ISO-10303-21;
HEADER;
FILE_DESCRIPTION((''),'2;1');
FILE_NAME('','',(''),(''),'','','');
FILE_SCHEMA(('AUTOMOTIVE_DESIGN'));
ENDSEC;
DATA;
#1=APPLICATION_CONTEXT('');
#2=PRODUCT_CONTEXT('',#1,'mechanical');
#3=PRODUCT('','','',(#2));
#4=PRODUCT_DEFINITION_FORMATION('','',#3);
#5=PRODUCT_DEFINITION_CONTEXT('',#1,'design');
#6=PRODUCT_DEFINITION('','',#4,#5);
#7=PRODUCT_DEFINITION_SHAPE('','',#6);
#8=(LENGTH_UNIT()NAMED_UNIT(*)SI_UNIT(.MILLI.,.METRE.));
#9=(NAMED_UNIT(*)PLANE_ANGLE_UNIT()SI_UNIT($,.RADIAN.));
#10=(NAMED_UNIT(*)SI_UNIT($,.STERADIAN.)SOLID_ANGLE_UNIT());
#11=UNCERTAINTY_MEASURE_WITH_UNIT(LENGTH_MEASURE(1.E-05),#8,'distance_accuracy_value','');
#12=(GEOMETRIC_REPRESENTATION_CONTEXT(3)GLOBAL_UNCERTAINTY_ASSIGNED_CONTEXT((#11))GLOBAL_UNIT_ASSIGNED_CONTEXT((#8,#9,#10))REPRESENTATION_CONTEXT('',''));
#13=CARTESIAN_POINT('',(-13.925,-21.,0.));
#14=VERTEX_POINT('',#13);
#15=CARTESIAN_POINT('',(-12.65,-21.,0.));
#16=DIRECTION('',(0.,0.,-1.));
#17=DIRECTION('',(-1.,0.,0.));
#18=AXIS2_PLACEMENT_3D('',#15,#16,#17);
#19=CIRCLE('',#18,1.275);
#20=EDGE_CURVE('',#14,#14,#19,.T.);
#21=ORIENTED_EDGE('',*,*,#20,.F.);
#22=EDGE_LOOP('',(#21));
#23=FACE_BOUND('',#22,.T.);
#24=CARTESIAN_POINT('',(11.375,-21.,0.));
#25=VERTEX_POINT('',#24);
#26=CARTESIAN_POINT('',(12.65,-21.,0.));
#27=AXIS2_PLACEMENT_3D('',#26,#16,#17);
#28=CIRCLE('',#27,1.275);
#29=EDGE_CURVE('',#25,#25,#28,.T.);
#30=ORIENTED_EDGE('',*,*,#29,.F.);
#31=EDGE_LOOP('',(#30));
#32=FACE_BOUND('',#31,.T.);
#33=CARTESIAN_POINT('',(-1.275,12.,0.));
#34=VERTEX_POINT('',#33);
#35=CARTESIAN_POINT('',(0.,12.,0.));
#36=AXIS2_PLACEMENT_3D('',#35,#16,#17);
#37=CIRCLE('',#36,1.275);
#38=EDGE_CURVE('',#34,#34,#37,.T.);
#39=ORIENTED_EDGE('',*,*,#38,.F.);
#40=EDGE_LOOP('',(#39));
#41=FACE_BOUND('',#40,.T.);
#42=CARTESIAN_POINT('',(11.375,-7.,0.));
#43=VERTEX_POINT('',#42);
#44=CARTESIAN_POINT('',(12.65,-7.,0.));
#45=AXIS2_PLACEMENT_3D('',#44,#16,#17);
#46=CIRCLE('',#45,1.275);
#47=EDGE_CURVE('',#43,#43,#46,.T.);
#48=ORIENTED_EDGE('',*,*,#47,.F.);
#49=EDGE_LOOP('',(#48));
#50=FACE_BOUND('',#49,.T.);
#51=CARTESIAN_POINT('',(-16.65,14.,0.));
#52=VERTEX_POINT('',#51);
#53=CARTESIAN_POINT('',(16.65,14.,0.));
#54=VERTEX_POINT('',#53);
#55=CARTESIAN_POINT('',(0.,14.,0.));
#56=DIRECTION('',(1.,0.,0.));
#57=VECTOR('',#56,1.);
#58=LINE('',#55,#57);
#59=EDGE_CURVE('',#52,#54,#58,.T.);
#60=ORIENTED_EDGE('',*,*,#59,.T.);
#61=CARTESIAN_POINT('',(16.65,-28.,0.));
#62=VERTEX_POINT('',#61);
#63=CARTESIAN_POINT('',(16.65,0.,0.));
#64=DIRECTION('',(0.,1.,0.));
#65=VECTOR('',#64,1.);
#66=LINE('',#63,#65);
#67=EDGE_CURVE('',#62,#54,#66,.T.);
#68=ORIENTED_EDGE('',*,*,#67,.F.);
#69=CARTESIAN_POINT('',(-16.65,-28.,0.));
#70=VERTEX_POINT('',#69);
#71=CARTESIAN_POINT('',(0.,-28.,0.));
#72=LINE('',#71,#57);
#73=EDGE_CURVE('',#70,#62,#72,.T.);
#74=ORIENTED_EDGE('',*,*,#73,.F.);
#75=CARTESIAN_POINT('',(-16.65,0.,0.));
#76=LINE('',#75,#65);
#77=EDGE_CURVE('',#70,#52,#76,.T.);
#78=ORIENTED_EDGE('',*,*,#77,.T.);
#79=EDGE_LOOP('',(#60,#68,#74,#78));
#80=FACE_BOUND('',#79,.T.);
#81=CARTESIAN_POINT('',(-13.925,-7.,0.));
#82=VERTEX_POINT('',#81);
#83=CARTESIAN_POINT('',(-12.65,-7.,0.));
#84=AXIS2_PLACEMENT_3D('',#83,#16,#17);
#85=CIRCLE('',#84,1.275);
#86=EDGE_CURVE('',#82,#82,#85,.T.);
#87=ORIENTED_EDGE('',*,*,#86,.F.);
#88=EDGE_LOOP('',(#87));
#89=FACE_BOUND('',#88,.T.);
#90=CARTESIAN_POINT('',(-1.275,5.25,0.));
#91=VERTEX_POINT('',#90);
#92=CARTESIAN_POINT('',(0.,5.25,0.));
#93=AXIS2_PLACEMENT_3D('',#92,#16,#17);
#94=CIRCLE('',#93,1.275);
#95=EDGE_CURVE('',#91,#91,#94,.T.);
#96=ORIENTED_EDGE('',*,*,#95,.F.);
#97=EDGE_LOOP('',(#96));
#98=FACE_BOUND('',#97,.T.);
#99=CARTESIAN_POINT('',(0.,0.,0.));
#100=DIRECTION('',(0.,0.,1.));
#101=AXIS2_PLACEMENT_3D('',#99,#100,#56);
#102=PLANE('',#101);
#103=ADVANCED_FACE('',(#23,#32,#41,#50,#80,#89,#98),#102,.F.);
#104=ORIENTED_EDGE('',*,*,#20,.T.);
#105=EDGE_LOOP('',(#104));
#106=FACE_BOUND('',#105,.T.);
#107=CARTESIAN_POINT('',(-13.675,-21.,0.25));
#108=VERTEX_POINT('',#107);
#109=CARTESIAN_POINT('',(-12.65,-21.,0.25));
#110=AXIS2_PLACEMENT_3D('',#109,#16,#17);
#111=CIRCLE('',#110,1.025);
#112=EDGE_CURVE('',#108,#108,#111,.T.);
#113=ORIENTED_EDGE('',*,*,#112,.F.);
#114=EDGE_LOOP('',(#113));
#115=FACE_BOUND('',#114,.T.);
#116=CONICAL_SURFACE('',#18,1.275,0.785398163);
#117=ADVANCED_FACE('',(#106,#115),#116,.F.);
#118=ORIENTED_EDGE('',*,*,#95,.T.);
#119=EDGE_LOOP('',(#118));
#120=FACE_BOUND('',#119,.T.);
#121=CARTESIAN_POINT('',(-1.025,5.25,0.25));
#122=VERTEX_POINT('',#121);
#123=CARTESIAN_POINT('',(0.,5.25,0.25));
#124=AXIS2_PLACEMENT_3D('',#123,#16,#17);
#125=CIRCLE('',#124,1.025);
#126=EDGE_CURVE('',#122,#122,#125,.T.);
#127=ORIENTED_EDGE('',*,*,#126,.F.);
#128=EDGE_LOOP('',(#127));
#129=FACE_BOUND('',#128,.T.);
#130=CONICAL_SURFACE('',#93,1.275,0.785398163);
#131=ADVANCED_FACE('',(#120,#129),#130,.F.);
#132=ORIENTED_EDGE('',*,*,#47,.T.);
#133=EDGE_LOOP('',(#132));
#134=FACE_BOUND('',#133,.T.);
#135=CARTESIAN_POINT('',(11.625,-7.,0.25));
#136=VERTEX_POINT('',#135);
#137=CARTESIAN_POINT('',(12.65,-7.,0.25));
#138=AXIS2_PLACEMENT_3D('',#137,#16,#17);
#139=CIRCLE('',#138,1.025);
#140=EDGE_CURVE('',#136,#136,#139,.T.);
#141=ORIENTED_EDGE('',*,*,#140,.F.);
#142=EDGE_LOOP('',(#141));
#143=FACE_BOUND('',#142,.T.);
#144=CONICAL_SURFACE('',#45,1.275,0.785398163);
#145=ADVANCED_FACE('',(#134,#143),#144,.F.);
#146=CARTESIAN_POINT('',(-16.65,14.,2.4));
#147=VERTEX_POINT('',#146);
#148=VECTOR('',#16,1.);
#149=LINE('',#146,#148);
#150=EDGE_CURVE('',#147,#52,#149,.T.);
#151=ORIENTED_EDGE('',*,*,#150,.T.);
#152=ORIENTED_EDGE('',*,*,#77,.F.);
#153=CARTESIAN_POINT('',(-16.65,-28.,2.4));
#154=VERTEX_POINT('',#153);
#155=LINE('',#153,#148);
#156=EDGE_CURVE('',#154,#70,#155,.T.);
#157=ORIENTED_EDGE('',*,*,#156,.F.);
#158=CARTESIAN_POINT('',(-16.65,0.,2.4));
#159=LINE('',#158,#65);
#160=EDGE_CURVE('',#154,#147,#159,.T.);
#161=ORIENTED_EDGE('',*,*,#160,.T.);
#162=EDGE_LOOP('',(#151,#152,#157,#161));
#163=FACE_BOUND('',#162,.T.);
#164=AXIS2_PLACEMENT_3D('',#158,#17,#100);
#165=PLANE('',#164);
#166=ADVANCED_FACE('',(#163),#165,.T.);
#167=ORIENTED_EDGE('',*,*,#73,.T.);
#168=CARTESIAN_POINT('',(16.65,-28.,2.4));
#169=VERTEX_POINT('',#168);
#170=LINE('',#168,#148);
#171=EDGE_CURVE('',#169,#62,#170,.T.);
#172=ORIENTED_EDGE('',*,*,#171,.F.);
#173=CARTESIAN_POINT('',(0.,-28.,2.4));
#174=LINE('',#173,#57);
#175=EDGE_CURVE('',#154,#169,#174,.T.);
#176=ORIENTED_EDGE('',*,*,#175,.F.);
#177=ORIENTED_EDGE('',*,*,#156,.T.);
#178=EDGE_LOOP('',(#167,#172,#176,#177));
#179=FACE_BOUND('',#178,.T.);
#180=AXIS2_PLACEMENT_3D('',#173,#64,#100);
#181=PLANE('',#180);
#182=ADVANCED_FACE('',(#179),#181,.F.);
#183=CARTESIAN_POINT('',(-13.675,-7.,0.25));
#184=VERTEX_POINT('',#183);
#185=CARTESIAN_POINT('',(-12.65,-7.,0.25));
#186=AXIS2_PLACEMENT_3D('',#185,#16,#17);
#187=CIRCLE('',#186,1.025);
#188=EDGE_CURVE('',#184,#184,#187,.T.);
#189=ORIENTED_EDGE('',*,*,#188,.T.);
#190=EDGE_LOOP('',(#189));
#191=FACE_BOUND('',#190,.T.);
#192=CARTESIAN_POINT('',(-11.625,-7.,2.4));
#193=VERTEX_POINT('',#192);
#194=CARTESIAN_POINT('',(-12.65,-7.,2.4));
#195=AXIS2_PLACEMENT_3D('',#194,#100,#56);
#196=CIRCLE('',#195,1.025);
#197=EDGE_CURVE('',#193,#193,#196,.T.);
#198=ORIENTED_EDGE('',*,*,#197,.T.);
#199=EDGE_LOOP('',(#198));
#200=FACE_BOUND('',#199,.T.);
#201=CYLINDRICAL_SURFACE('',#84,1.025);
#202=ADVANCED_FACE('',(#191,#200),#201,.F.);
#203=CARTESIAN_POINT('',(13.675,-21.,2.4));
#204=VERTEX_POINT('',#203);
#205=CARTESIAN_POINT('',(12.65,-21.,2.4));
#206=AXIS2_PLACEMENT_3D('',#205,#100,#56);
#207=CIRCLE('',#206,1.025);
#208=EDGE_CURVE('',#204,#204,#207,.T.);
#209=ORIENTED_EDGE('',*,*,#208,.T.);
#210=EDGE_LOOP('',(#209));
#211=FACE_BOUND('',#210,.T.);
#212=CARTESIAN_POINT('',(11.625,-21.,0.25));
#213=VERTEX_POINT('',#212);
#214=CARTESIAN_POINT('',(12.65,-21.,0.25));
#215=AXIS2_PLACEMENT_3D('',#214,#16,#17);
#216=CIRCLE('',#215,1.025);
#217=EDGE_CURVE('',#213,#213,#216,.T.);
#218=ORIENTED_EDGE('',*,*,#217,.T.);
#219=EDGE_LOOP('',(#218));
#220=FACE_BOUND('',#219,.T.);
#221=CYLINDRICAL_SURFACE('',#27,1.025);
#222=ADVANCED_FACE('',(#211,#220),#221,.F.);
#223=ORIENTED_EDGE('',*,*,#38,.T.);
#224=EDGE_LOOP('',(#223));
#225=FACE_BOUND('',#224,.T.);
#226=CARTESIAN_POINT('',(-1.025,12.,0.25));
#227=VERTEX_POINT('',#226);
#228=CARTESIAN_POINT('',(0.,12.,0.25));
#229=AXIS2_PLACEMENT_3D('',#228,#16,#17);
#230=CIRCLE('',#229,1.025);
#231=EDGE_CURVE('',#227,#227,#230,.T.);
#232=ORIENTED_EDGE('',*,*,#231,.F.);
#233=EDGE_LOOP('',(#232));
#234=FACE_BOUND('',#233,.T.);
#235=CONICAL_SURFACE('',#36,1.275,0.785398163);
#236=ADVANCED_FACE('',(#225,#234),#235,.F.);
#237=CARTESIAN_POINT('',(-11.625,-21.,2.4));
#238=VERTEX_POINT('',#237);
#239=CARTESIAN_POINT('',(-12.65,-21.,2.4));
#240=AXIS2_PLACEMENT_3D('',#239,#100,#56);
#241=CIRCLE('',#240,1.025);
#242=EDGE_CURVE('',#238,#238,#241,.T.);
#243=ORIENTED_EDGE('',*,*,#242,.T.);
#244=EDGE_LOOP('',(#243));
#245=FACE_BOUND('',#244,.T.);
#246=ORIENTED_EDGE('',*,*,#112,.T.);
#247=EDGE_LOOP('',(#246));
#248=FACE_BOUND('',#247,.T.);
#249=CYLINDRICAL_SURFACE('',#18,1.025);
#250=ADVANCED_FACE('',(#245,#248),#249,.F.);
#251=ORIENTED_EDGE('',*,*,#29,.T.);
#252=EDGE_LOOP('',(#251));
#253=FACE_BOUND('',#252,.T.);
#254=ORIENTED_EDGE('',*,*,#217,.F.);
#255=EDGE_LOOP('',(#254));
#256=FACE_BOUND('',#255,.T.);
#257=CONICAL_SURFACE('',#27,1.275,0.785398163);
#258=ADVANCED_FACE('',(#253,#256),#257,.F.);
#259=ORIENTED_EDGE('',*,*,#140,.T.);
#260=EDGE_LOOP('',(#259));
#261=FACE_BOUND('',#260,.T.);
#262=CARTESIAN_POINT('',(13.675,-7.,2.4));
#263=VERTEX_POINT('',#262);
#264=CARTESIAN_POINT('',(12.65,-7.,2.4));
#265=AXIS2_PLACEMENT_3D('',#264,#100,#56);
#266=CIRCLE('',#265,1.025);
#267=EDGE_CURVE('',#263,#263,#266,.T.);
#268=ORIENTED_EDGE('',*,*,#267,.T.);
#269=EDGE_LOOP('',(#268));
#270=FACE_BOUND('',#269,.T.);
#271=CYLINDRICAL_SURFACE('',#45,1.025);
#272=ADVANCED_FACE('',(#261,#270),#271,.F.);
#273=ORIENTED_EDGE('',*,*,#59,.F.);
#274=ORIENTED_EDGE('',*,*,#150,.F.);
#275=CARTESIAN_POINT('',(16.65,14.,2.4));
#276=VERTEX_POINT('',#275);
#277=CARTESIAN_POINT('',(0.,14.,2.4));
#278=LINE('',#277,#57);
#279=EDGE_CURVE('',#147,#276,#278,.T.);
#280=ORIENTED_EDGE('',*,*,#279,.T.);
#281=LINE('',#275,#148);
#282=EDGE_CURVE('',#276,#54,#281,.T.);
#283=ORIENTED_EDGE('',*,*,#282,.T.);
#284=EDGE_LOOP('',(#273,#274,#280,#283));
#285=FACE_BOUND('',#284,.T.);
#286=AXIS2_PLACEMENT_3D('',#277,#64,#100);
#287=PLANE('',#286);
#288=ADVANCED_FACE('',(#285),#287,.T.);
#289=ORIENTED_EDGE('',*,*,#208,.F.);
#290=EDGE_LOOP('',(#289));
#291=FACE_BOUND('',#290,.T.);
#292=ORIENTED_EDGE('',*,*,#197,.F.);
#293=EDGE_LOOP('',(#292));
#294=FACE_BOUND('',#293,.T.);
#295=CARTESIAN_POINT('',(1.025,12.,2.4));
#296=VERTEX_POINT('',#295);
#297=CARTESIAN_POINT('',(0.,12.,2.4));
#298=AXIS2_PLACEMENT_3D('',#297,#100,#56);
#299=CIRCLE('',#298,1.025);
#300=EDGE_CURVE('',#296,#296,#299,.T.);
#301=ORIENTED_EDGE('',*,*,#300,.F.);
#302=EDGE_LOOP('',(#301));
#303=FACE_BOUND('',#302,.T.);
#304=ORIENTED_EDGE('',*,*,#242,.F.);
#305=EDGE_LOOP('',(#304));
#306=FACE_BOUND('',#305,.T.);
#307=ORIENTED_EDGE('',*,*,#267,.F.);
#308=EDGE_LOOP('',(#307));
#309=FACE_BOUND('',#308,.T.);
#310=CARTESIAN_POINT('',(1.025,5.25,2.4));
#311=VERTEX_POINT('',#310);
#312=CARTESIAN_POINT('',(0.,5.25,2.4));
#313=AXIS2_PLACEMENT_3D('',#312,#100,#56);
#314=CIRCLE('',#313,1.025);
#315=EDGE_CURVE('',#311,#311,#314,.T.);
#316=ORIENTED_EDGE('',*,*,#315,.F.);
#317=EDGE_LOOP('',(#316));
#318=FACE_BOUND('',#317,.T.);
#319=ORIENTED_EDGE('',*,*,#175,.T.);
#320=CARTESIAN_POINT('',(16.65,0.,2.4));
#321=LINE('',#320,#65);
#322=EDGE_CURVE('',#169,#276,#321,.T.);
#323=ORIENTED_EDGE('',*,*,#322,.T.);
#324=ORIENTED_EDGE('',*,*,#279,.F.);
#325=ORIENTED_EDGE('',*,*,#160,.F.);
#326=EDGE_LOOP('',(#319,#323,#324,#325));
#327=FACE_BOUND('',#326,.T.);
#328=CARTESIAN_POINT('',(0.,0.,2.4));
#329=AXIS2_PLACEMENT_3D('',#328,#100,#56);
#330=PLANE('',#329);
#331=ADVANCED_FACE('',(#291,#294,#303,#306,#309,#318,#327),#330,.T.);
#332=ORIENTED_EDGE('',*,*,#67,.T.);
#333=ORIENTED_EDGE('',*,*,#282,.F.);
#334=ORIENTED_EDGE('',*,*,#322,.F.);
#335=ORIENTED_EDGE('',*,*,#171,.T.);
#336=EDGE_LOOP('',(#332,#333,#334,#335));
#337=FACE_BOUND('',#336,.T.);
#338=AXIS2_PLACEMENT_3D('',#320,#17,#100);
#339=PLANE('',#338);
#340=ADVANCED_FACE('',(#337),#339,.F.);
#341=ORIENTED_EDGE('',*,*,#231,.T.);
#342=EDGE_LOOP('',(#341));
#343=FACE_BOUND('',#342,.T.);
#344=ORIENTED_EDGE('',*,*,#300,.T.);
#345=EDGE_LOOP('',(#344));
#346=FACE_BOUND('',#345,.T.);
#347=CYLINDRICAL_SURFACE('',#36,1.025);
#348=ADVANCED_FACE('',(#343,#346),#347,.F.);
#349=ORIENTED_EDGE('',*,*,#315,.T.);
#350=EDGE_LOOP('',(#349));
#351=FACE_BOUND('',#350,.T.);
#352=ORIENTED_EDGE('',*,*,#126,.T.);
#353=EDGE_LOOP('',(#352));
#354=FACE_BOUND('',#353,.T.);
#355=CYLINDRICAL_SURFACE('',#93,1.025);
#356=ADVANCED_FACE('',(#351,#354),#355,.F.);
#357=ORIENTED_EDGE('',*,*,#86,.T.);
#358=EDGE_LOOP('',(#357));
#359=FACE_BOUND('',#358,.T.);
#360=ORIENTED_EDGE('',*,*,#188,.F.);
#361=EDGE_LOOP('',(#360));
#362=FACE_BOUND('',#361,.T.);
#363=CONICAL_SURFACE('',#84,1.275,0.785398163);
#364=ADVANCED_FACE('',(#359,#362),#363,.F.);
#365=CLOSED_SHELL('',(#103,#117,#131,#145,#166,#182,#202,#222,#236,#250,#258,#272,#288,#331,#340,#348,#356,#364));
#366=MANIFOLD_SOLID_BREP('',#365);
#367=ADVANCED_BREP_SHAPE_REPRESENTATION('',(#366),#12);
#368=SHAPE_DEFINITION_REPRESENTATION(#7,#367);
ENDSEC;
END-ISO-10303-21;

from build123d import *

# Parameters (mm, degrees)
SKETCH1_W                     = 33.3
SKETCH1_H                     = 42
BOSS_EXTRUDE1_DEPTH           = 2.4
M2_5_TAPPED_HOLE1_D           = 2.05
M2_5_TAPPED_HOLE1_CSINK_D     = 2.55
M2_5_TAPPED_HOLE1_CSINK_ANGLE = 90


with BuildPart() as part:
    # Sketch1 → Boss-Extrude1 (new body)
    with BuildSketch(Plane.XY):
        with Locations((0, -7)):
            Rectangle(SKETCH1_W, SKETCH1_H)
    extrude(amount=BOSS_EXTRUDE1_DEPTH)

    # M2.5 Tapped Hole1 (through all)
    with Locations(Plane(origin=(0, 12, 0), x_dir=(-1, 0, 0), z_dir=(0, 0, -1))):
        with Locations((0, 0), (0, -6.75), (12.65, -19), (12.65, -33), (-12.65, -33), (-12.65, -19)):
            CounterSinkHole(M2_5_TAPPED_HOLE1_D / 2, M2_5_TAPPED_HOLE1_CSINK_D / 2, counter_sink_angle=M2_5_TAPPED_HOLE1_CSINK_ANGLE)


solid = part.part
